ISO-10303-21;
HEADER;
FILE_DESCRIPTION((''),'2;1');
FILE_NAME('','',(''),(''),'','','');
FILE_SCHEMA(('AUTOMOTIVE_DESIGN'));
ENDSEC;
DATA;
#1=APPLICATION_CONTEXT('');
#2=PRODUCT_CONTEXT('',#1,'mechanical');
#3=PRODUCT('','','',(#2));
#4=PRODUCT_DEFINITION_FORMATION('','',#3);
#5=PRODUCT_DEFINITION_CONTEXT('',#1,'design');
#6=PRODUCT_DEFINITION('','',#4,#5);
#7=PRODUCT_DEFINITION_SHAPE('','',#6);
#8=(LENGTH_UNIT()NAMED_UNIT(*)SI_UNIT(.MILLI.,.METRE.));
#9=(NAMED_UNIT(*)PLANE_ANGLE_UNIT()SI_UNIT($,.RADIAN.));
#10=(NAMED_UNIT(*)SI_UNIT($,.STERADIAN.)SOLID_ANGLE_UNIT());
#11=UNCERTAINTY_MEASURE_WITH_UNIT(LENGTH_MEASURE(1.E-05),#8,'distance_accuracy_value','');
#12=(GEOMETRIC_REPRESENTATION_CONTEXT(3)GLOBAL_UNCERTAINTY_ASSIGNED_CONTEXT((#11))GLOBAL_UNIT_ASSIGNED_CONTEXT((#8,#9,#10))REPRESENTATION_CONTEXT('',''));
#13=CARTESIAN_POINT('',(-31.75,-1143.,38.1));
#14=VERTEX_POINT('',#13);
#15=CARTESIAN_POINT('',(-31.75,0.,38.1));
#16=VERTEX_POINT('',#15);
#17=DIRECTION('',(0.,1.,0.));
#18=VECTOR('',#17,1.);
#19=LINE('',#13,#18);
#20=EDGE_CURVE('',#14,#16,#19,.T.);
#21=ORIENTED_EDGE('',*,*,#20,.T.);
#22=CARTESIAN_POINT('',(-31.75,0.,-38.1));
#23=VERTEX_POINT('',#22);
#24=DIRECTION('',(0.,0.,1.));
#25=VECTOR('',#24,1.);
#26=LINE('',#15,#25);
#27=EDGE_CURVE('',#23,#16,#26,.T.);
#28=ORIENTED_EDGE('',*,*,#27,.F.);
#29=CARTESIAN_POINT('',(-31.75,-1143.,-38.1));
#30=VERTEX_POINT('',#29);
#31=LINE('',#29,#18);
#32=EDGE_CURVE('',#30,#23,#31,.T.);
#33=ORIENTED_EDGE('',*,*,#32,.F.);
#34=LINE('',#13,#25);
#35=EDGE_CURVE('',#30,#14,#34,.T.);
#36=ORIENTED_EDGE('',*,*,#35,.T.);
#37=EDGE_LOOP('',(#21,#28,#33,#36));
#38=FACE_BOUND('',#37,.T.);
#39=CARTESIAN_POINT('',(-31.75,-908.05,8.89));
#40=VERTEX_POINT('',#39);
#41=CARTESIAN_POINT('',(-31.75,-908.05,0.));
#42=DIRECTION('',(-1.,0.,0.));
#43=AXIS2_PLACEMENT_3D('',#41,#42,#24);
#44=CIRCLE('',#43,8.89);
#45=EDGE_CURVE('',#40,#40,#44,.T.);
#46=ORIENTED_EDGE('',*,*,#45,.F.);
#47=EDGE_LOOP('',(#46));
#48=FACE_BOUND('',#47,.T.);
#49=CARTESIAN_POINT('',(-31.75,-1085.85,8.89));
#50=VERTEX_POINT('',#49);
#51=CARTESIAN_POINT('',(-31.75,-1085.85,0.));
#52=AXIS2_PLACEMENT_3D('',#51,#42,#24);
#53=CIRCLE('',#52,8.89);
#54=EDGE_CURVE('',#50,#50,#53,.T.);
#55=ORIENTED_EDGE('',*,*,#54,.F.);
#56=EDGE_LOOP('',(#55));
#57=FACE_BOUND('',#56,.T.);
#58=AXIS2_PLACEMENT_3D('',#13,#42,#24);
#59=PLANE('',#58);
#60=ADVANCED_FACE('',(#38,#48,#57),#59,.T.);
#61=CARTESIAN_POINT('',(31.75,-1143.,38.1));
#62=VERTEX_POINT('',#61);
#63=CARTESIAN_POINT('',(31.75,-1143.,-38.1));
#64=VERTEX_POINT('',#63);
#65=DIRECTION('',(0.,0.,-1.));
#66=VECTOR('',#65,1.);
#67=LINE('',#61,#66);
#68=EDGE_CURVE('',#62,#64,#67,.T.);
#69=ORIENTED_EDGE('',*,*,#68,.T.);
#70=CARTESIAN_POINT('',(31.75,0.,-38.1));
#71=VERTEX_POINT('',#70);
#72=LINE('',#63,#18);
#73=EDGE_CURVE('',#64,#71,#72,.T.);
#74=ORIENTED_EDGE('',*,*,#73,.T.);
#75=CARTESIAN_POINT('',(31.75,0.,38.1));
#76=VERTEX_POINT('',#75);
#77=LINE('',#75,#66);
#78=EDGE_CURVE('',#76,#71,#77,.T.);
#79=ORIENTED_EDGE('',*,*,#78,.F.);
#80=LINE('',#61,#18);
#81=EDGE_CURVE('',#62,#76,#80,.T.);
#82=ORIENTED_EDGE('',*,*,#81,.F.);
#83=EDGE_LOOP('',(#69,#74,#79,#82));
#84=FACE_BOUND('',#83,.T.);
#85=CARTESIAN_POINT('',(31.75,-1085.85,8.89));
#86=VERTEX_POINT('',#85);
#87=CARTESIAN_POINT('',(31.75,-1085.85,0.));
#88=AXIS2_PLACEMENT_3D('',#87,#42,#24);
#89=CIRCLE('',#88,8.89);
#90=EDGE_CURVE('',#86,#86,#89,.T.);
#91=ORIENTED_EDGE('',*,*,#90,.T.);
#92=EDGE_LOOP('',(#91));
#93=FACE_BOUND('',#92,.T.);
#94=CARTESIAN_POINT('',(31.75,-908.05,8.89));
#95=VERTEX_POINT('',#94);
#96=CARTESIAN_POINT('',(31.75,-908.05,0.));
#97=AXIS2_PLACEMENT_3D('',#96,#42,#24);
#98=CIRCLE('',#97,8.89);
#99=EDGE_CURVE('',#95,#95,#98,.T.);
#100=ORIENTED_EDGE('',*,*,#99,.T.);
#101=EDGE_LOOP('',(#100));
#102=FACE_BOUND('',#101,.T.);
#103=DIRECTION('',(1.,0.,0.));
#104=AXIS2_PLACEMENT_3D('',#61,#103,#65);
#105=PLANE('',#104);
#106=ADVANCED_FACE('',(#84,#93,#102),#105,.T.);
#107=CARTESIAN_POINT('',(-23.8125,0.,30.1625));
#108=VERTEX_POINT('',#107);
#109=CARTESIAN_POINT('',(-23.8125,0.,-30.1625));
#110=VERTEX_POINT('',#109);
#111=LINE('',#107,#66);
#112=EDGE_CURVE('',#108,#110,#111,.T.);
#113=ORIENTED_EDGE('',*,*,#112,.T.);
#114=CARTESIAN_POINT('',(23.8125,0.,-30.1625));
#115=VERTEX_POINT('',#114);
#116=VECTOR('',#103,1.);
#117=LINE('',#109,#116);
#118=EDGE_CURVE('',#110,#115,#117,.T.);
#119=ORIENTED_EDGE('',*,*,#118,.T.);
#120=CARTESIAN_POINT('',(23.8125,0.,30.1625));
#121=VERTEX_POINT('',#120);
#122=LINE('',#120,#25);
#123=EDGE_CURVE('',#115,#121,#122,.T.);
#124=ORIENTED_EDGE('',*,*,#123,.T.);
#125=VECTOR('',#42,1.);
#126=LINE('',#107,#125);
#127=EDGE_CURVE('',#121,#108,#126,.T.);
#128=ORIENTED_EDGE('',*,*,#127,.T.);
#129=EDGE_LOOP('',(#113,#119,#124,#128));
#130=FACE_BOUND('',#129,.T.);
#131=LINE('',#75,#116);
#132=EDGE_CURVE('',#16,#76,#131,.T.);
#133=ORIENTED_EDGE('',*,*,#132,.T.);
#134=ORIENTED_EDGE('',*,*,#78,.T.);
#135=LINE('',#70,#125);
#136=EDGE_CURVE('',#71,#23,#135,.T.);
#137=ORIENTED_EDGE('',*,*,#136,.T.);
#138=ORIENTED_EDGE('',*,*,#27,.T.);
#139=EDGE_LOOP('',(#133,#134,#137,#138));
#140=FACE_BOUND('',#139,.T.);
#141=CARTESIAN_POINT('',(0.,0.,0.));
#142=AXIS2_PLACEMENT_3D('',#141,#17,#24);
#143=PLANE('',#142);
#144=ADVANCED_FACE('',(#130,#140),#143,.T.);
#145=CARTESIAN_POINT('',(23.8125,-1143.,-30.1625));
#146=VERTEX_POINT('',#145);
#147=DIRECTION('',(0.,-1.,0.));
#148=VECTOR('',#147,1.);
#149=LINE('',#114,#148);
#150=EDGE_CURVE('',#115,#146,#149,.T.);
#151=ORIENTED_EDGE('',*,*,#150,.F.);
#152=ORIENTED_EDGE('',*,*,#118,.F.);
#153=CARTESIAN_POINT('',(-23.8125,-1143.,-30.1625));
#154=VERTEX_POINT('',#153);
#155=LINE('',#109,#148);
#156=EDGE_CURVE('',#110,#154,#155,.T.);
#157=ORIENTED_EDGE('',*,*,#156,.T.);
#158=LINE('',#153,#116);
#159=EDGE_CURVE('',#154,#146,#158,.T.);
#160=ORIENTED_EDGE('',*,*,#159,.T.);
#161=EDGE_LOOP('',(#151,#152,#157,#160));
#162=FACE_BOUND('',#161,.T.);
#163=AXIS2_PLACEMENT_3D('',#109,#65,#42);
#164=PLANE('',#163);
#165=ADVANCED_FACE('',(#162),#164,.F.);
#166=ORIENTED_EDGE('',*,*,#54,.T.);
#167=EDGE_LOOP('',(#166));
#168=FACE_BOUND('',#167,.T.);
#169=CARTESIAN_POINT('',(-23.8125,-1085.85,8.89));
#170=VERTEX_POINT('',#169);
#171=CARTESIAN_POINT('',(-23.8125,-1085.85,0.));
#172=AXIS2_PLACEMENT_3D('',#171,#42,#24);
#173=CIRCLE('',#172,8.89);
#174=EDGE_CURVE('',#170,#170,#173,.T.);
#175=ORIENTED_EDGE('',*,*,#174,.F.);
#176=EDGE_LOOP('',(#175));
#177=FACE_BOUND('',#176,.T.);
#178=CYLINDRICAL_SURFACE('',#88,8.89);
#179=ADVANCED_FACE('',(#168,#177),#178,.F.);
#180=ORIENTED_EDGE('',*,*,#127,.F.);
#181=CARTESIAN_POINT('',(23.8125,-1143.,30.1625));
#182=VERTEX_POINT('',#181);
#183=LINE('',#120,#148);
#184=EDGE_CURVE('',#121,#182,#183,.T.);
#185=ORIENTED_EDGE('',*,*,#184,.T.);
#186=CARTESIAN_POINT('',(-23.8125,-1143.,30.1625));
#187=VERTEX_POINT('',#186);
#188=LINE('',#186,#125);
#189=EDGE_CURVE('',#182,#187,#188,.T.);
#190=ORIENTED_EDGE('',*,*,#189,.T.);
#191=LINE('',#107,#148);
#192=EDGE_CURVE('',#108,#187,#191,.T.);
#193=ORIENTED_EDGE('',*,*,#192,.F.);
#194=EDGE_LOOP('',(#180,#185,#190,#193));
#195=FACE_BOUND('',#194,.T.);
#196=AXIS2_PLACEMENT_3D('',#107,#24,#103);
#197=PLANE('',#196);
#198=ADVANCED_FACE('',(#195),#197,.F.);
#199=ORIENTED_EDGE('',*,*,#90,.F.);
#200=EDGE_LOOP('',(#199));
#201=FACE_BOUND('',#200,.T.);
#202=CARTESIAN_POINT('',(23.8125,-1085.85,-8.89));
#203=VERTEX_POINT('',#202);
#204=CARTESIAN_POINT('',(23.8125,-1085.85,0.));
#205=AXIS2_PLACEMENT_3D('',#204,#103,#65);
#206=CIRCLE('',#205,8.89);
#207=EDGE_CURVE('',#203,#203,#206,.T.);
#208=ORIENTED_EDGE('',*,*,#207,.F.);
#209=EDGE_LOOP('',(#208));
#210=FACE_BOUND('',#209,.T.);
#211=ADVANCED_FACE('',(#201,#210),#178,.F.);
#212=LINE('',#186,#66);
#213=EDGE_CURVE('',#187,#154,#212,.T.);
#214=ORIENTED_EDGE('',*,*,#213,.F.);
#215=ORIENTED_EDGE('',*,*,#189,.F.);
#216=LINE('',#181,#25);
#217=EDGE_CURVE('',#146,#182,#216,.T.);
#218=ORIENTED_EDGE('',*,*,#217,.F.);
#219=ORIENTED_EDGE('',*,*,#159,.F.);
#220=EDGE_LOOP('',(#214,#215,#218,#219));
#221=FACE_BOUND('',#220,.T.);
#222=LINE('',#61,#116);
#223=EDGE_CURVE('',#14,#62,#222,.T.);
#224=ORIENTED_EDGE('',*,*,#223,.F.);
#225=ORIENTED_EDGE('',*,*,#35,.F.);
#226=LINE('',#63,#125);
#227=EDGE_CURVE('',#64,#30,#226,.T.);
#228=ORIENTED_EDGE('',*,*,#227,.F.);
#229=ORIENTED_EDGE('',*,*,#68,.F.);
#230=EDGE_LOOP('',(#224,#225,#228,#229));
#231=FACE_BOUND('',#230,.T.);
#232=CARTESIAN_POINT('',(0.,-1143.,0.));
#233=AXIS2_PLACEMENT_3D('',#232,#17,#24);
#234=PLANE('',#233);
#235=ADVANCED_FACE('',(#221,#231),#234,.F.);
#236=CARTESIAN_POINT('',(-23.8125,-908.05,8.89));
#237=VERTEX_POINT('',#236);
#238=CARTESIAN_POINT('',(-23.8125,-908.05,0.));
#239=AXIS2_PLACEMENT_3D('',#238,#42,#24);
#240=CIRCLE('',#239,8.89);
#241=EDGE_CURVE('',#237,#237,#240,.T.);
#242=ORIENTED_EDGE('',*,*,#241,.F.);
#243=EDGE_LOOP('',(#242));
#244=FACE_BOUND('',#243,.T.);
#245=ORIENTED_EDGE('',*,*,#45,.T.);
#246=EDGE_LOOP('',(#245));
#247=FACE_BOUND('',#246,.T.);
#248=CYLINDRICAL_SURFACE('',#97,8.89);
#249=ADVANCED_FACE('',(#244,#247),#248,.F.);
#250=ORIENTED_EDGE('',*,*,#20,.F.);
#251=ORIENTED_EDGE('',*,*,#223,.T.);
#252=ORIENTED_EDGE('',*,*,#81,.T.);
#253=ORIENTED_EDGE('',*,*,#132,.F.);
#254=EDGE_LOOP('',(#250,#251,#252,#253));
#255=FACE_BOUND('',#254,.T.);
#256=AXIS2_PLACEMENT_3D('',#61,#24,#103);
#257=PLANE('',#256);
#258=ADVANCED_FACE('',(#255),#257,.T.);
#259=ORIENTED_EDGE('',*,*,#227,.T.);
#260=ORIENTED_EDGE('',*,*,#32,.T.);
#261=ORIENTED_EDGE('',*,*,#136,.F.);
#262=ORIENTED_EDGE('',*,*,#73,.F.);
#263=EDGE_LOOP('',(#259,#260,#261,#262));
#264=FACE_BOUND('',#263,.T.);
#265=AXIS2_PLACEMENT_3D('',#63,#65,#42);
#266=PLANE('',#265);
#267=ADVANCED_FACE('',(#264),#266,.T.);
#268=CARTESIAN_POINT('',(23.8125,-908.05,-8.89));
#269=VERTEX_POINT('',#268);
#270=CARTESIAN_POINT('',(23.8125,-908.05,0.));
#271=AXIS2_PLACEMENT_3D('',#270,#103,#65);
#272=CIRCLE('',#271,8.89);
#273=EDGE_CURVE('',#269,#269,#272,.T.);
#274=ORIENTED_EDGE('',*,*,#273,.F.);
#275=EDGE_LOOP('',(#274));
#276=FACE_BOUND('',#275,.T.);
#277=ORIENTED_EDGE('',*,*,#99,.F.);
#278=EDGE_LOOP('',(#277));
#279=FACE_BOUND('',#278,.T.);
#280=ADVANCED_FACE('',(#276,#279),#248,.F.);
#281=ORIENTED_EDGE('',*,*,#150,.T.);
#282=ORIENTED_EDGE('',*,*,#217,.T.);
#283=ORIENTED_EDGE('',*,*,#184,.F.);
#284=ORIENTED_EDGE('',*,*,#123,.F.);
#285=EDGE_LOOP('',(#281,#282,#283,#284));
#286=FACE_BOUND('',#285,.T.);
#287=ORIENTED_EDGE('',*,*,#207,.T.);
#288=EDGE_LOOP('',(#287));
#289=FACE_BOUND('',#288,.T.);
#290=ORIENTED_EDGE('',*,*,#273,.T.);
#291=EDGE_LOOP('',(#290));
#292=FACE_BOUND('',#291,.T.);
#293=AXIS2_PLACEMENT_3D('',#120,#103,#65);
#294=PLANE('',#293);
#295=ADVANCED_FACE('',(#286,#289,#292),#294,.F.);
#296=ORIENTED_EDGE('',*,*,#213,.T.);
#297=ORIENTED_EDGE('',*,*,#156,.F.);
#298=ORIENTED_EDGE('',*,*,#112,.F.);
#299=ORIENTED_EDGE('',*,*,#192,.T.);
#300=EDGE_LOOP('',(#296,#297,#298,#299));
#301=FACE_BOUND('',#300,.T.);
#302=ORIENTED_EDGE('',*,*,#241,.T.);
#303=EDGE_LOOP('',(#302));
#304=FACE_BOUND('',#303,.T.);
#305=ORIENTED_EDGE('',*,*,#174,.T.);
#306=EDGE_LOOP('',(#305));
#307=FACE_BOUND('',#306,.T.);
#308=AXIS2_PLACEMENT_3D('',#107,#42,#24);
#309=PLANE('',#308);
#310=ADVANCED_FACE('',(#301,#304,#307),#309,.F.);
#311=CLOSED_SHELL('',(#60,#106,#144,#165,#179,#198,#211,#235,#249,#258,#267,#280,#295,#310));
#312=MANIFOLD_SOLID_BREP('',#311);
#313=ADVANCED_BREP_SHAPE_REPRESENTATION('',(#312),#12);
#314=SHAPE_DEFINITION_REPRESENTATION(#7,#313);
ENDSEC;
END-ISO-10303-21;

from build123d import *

# Parameters (mm, degrees)
SKETCH1_W           = 63.5
SKETCH1_H           = 76.2
BOSS_EXTRUDE1_DEPTH = 1143
SKETCH2_W           = 47.625
SKETCH2_H           = 60.325
CUT_EXTRUDE1_DEPTH  = 1145.075466261
SKETCH3_R           = 8.89
CUT_EXTRUDE2_DEPTH  = 1146.396376806


with BuildPart() as part:
    # Sketch1 → Boss-Extrude1 (new body)
    with BuildSketch(Plane(origin=(0, 0, 0), x_dir=(1, 0, 0), z_dir=(0, 1, 0))):
        Rectangle(SKETCH1_W, SKETCH1_H)
    extrude(amount=-BOSS_EXTRUDE1_DEPTH)

    # Sketch2 → Cut-Extrude1 (cut, through all)
    with BuildSketch(Plane.XZ.offset(1143)):
        Rectangle(SKETCH2_W, SKETCH2_H)
    extrude(amount=-CUT_EXTRUDE1_DEPTH, mode=Mode.SUBTRACT)

    # Sketch3 → Cut-Extrude2 (cut, through all)
    with BuildSketch(Plane.ZY.offset(31.75)):
        with Locations((0, -908.05)):
            Circle(SKETCH3_R)
        with Locations((0, -1085.85)):
            Circle(SKETCH3_R)
    extrude(amount=-CUT_EXTRUDE2_DEPTH, mode=Mode.SUBTRACT)


solid = part.part
